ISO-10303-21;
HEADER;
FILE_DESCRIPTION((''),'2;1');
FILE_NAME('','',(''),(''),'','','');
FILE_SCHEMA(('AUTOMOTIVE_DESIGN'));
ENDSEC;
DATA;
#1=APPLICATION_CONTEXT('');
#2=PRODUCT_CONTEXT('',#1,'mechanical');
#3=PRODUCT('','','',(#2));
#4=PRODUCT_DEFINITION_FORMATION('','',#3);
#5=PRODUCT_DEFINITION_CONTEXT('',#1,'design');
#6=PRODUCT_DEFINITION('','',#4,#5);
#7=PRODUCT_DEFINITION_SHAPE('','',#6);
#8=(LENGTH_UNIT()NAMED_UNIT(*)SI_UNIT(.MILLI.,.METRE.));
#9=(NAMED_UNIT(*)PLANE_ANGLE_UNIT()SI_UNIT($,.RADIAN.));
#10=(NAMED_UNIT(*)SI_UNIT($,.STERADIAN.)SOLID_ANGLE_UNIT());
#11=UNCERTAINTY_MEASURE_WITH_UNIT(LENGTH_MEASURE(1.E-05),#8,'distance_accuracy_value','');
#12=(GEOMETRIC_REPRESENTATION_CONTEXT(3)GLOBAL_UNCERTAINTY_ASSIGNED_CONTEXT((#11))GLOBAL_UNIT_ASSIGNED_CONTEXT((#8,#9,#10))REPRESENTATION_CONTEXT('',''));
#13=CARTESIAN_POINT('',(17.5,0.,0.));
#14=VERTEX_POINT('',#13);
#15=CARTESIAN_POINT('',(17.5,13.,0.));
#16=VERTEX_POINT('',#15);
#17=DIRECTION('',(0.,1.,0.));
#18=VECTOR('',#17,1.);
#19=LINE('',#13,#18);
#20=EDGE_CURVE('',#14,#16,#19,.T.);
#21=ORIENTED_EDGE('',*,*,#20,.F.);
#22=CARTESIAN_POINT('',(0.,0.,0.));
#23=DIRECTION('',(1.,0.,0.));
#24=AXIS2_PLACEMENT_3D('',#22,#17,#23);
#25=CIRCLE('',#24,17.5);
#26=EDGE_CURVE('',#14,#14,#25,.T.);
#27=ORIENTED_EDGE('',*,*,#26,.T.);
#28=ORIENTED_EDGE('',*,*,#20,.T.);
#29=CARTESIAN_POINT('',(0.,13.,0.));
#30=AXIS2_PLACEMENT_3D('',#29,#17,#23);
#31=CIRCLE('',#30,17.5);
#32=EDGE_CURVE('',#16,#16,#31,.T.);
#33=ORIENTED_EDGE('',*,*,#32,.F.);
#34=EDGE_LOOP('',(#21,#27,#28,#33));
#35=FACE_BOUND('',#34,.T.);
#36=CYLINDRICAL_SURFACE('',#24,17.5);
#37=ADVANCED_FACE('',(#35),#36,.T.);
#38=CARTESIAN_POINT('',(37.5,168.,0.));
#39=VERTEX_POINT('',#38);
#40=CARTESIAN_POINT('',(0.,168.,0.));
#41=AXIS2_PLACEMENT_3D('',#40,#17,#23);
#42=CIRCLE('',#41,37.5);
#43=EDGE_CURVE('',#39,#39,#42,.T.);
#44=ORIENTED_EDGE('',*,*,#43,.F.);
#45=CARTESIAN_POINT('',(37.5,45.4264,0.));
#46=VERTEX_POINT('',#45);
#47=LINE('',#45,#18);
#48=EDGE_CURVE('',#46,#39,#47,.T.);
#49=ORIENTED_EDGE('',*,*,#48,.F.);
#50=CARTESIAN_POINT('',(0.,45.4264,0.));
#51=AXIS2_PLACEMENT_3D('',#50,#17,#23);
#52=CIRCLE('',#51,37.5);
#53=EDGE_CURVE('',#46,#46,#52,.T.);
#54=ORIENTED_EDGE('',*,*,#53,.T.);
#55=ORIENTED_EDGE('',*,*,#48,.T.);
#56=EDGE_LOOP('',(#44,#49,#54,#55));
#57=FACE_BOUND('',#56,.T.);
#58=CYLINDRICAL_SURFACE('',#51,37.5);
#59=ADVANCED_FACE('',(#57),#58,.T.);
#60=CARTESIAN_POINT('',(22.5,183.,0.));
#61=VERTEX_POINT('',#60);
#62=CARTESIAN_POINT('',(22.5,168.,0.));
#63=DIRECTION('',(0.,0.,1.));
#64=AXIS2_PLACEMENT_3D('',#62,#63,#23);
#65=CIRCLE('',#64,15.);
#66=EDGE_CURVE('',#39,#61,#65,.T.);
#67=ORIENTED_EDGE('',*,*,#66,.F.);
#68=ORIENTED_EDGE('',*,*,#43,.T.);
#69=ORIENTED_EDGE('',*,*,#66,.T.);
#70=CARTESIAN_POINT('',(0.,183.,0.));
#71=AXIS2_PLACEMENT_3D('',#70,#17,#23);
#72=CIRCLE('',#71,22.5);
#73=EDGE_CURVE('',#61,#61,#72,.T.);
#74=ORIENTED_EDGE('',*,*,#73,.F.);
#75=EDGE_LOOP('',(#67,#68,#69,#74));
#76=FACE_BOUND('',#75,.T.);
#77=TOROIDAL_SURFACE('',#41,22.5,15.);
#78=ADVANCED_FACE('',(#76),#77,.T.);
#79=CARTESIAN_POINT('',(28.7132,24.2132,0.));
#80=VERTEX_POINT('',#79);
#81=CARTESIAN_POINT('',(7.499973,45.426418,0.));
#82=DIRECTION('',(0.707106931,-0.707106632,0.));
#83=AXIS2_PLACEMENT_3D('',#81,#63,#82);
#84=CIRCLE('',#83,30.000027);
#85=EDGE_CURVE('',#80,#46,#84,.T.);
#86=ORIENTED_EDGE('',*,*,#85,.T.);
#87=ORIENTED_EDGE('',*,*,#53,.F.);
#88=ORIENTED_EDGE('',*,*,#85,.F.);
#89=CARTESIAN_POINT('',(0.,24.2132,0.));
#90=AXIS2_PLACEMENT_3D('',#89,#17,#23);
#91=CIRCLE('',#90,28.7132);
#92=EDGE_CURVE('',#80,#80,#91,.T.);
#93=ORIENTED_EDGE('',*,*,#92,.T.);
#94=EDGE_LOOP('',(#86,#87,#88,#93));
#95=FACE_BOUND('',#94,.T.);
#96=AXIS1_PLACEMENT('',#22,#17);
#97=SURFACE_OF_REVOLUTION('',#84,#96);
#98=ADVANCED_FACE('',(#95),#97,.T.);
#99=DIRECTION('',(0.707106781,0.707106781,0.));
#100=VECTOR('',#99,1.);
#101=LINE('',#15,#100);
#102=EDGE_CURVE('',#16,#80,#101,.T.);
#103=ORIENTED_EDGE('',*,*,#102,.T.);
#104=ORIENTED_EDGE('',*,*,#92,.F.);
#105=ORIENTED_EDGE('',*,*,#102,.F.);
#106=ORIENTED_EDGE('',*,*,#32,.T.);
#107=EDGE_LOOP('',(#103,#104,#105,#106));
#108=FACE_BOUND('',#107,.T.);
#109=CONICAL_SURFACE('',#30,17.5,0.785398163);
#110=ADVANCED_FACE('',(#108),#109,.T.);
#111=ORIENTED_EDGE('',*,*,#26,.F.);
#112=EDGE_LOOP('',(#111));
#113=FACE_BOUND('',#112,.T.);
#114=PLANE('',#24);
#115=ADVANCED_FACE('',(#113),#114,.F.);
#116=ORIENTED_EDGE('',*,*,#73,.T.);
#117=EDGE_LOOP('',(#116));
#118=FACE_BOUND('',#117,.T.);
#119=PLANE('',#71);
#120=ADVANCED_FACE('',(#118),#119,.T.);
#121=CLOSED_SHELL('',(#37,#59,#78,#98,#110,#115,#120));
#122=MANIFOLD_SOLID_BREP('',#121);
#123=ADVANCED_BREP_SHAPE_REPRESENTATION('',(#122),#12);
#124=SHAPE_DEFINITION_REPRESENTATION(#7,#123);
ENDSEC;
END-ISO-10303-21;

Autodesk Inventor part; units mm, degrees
ref_plane "YZ Plane" through (0, 0, 0) normal (1, 0, 0) x (0, 1, 0)
ref_plane "XZ Plane" through (0, 0, 0) normal (0, 1, 0) x (-1, 0, 0)
ref_plane "XY Plane" through (0, 0, 0) normal (0, 0, 1) x (1, 0, 0)
sketch "Эскиз1" plane through (0, 0, 0) normal (0, 0, 1) x (1, 0, 0)
  line L0 (0, 0) -> (0, 59.8323)
  line L1 (0, 0) -> (17.5, 0)
  line L2 (17.5, 0) -> (17.5, 13)
  line L3 (17.5, 13) -> (28.7132, 24.2132)
  line L4 (37.5, 45.4264) -> (37.5, 168)
  line L5 (22.5, 183) -> (0, 183)
  line L6 (0, 183) -> (0, 0)
  arc A0 (37.5, 168) -> (22.5, 183) centre (22.5, 168) ccw
  arc A1 (28.7132, 24.2132) -> (37.5, 45.4264) centre (7.5, 45.4264) ccw
  point P0 (37.5, 33)
  dimension "d0" = 13
  dimension "d1" = 35
  dimension "d2" = 75
  dimension "d3" = 45
  dimension "d4" = 15
  dimension "d5" = 150
  dimension "d6" = 30
revolve "Вращение1" add sketch "Эскиз1" angle 360 about axis through (0, 0, 0) along (0, 1, 0)
properties part number "Бутылка_2"
